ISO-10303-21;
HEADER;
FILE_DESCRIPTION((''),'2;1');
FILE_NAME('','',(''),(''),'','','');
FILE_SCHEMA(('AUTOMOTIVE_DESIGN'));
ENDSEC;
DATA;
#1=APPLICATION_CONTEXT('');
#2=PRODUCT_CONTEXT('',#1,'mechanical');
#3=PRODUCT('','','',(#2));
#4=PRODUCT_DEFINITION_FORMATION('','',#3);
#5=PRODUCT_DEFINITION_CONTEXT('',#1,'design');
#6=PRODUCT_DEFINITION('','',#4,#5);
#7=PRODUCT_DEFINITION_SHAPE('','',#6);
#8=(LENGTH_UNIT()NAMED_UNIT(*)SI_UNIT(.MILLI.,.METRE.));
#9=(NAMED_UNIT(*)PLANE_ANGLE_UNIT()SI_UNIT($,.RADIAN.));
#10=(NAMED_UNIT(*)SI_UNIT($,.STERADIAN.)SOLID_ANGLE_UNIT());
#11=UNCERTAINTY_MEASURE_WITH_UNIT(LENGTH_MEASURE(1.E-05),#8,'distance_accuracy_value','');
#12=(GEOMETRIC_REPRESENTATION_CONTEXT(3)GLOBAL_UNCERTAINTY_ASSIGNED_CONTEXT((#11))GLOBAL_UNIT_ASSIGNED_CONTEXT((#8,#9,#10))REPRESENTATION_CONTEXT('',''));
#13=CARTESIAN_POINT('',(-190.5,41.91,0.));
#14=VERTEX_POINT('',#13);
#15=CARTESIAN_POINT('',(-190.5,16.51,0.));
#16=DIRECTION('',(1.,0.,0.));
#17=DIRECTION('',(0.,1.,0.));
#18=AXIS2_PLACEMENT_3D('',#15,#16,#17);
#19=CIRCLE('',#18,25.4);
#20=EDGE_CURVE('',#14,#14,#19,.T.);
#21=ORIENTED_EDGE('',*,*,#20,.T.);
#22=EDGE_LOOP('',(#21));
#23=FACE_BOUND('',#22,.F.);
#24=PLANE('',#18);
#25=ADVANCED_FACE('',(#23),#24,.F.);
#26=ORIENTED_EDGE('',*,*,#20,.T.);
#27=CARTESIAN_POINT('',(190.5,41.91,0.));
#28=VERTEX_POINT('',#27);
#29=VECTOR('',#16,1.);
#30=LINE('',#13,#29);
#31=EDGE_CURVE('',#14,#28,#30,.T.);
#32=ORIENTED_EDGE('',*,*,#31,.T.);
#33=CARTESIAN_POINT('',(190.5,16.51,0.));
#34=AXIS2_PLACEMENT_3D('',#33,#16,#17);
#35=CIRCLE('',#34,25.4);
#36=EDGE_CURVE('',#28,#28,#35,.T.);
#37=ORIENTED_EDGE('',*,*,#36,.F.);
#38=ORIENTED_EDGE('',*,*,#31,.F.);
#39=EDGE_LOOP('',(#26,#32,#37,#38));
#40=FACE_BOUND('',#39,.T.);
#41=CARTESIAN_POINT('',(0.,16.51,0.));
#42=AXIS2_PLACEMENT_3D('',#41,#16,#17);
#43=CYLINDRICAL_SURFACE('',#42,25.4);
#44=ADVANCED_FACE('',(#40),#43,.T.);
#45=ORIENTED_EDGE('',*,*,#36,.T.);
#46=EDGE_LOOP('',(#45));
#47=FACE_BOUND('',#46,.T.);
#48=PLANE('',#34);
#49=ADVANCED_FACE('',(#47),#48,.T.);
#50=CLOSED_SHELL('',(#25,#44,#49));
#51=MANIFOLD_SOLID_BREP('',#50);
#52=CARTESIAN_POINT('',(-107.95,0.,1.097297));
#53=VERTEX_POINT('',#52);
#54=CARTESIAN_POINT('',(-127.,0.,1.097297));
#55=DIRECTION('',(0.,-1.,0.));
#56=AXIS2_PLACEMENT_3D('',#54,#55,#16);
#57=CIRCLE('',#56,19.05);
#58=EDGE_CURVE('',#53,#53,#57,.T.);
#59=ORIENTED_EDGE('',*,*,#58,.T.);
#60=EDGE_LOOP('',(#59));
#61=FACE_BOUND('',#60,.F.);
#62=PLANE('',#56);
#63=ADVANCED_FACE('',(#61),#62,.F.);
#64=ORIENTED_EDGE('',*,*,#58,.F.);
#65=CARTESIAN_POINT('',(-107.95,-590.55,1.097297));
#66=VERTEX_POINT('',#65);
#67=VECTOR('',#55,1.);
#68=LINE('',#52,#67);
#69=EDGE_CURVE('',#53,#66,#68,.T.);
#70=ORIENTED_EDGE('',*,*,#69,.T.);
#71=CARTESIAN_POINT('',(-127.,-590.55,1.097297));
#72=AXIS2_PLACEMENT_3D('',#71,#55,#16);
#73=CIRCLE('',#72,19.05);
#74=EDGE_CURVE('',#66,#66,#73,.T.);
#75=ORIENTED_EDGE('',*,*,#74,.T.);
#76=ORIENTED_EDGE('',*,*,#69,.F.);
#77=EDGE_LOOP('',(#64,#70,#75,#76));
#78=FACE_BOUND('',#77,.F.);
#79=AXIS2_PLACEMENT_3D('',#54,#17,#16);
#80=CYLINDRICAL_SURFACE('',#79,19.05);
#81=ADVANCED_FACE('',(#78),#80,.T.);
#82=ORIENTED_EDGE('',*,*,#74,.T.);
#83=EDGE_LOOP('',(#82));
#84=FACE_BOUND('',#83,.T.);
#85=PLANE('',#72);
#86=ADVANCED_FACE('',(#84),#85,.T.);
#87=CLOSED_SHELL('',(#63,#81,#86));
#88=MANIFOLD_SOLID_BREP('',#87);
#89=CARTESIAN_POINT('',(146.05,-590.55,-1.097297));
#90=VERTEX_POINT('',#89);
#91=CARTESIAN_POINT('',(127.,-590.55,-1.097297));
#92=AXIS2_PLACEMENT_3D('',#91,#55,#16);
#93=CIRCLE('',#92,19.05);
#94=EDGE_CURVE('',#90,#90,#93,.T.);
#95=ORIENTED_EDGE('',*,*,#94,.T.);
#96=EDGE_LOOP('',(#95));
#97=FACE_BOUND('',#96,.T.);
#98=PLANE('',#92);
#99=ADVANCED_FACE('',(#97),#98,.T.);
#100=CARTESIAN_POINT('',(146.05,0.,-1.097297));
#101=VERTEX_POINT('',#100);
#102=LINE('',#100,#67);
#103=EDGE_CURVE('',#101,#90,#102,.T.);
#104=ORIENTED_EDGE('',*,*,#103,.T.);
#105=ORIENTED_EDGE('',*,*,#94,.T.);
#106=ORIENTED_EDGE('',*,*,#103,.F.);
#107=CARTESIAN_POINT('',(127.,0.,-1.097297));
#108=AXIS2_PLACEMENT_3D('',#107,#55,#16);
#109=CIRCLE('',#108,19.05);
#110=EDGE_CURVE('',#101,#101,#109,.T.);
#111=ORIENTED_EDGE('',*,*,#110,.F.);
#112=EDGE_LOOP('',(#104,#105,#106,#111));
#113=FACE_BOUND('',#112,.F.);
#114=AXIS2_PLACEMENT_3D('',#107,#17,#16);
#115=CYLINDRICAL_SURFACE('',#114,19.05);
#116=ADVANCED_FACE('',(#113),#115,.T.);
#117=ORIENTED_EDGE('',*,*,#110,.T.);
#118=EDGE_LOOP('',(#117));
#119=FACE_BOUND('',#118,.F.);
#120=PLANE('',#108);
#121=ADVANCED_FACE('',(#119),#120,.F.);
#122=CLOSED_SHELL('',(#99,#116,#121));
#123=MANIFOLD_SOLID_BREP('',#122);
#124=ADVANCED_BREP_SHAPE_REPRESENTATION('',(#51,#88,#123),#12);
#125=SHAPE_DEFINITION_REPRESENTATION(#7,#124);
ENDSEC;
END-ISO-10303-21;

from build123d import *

# Parameters (mm, degrees)
F0_R     = 19.05
F1_DEPTH = 590.55
F2_R     = 25.4
F3_DEPTH = 190.5


with BuildPart() as f1:
    # F0 (on Front) → F1 (new body)
    with BuildSketch(Plane.XZ):
        with Locations((-127, 1.097297)):
            Circle(F0_R)
        with Locations((127, -1.097297)):
            Circle(F0_R)
    extrude(amount=F1_DEPTH)


with BuildPart() as f3:
    # F2 (on Right) → F3 (new body, symmetric)
    with BuildSketch(Plane.YZ):
        with Locations((16.51, 0)):
            Circle(F2_R)
    extrude(amount=F3_DEPTH, both=True)


solid = Compound([f1.part, f3.part])
